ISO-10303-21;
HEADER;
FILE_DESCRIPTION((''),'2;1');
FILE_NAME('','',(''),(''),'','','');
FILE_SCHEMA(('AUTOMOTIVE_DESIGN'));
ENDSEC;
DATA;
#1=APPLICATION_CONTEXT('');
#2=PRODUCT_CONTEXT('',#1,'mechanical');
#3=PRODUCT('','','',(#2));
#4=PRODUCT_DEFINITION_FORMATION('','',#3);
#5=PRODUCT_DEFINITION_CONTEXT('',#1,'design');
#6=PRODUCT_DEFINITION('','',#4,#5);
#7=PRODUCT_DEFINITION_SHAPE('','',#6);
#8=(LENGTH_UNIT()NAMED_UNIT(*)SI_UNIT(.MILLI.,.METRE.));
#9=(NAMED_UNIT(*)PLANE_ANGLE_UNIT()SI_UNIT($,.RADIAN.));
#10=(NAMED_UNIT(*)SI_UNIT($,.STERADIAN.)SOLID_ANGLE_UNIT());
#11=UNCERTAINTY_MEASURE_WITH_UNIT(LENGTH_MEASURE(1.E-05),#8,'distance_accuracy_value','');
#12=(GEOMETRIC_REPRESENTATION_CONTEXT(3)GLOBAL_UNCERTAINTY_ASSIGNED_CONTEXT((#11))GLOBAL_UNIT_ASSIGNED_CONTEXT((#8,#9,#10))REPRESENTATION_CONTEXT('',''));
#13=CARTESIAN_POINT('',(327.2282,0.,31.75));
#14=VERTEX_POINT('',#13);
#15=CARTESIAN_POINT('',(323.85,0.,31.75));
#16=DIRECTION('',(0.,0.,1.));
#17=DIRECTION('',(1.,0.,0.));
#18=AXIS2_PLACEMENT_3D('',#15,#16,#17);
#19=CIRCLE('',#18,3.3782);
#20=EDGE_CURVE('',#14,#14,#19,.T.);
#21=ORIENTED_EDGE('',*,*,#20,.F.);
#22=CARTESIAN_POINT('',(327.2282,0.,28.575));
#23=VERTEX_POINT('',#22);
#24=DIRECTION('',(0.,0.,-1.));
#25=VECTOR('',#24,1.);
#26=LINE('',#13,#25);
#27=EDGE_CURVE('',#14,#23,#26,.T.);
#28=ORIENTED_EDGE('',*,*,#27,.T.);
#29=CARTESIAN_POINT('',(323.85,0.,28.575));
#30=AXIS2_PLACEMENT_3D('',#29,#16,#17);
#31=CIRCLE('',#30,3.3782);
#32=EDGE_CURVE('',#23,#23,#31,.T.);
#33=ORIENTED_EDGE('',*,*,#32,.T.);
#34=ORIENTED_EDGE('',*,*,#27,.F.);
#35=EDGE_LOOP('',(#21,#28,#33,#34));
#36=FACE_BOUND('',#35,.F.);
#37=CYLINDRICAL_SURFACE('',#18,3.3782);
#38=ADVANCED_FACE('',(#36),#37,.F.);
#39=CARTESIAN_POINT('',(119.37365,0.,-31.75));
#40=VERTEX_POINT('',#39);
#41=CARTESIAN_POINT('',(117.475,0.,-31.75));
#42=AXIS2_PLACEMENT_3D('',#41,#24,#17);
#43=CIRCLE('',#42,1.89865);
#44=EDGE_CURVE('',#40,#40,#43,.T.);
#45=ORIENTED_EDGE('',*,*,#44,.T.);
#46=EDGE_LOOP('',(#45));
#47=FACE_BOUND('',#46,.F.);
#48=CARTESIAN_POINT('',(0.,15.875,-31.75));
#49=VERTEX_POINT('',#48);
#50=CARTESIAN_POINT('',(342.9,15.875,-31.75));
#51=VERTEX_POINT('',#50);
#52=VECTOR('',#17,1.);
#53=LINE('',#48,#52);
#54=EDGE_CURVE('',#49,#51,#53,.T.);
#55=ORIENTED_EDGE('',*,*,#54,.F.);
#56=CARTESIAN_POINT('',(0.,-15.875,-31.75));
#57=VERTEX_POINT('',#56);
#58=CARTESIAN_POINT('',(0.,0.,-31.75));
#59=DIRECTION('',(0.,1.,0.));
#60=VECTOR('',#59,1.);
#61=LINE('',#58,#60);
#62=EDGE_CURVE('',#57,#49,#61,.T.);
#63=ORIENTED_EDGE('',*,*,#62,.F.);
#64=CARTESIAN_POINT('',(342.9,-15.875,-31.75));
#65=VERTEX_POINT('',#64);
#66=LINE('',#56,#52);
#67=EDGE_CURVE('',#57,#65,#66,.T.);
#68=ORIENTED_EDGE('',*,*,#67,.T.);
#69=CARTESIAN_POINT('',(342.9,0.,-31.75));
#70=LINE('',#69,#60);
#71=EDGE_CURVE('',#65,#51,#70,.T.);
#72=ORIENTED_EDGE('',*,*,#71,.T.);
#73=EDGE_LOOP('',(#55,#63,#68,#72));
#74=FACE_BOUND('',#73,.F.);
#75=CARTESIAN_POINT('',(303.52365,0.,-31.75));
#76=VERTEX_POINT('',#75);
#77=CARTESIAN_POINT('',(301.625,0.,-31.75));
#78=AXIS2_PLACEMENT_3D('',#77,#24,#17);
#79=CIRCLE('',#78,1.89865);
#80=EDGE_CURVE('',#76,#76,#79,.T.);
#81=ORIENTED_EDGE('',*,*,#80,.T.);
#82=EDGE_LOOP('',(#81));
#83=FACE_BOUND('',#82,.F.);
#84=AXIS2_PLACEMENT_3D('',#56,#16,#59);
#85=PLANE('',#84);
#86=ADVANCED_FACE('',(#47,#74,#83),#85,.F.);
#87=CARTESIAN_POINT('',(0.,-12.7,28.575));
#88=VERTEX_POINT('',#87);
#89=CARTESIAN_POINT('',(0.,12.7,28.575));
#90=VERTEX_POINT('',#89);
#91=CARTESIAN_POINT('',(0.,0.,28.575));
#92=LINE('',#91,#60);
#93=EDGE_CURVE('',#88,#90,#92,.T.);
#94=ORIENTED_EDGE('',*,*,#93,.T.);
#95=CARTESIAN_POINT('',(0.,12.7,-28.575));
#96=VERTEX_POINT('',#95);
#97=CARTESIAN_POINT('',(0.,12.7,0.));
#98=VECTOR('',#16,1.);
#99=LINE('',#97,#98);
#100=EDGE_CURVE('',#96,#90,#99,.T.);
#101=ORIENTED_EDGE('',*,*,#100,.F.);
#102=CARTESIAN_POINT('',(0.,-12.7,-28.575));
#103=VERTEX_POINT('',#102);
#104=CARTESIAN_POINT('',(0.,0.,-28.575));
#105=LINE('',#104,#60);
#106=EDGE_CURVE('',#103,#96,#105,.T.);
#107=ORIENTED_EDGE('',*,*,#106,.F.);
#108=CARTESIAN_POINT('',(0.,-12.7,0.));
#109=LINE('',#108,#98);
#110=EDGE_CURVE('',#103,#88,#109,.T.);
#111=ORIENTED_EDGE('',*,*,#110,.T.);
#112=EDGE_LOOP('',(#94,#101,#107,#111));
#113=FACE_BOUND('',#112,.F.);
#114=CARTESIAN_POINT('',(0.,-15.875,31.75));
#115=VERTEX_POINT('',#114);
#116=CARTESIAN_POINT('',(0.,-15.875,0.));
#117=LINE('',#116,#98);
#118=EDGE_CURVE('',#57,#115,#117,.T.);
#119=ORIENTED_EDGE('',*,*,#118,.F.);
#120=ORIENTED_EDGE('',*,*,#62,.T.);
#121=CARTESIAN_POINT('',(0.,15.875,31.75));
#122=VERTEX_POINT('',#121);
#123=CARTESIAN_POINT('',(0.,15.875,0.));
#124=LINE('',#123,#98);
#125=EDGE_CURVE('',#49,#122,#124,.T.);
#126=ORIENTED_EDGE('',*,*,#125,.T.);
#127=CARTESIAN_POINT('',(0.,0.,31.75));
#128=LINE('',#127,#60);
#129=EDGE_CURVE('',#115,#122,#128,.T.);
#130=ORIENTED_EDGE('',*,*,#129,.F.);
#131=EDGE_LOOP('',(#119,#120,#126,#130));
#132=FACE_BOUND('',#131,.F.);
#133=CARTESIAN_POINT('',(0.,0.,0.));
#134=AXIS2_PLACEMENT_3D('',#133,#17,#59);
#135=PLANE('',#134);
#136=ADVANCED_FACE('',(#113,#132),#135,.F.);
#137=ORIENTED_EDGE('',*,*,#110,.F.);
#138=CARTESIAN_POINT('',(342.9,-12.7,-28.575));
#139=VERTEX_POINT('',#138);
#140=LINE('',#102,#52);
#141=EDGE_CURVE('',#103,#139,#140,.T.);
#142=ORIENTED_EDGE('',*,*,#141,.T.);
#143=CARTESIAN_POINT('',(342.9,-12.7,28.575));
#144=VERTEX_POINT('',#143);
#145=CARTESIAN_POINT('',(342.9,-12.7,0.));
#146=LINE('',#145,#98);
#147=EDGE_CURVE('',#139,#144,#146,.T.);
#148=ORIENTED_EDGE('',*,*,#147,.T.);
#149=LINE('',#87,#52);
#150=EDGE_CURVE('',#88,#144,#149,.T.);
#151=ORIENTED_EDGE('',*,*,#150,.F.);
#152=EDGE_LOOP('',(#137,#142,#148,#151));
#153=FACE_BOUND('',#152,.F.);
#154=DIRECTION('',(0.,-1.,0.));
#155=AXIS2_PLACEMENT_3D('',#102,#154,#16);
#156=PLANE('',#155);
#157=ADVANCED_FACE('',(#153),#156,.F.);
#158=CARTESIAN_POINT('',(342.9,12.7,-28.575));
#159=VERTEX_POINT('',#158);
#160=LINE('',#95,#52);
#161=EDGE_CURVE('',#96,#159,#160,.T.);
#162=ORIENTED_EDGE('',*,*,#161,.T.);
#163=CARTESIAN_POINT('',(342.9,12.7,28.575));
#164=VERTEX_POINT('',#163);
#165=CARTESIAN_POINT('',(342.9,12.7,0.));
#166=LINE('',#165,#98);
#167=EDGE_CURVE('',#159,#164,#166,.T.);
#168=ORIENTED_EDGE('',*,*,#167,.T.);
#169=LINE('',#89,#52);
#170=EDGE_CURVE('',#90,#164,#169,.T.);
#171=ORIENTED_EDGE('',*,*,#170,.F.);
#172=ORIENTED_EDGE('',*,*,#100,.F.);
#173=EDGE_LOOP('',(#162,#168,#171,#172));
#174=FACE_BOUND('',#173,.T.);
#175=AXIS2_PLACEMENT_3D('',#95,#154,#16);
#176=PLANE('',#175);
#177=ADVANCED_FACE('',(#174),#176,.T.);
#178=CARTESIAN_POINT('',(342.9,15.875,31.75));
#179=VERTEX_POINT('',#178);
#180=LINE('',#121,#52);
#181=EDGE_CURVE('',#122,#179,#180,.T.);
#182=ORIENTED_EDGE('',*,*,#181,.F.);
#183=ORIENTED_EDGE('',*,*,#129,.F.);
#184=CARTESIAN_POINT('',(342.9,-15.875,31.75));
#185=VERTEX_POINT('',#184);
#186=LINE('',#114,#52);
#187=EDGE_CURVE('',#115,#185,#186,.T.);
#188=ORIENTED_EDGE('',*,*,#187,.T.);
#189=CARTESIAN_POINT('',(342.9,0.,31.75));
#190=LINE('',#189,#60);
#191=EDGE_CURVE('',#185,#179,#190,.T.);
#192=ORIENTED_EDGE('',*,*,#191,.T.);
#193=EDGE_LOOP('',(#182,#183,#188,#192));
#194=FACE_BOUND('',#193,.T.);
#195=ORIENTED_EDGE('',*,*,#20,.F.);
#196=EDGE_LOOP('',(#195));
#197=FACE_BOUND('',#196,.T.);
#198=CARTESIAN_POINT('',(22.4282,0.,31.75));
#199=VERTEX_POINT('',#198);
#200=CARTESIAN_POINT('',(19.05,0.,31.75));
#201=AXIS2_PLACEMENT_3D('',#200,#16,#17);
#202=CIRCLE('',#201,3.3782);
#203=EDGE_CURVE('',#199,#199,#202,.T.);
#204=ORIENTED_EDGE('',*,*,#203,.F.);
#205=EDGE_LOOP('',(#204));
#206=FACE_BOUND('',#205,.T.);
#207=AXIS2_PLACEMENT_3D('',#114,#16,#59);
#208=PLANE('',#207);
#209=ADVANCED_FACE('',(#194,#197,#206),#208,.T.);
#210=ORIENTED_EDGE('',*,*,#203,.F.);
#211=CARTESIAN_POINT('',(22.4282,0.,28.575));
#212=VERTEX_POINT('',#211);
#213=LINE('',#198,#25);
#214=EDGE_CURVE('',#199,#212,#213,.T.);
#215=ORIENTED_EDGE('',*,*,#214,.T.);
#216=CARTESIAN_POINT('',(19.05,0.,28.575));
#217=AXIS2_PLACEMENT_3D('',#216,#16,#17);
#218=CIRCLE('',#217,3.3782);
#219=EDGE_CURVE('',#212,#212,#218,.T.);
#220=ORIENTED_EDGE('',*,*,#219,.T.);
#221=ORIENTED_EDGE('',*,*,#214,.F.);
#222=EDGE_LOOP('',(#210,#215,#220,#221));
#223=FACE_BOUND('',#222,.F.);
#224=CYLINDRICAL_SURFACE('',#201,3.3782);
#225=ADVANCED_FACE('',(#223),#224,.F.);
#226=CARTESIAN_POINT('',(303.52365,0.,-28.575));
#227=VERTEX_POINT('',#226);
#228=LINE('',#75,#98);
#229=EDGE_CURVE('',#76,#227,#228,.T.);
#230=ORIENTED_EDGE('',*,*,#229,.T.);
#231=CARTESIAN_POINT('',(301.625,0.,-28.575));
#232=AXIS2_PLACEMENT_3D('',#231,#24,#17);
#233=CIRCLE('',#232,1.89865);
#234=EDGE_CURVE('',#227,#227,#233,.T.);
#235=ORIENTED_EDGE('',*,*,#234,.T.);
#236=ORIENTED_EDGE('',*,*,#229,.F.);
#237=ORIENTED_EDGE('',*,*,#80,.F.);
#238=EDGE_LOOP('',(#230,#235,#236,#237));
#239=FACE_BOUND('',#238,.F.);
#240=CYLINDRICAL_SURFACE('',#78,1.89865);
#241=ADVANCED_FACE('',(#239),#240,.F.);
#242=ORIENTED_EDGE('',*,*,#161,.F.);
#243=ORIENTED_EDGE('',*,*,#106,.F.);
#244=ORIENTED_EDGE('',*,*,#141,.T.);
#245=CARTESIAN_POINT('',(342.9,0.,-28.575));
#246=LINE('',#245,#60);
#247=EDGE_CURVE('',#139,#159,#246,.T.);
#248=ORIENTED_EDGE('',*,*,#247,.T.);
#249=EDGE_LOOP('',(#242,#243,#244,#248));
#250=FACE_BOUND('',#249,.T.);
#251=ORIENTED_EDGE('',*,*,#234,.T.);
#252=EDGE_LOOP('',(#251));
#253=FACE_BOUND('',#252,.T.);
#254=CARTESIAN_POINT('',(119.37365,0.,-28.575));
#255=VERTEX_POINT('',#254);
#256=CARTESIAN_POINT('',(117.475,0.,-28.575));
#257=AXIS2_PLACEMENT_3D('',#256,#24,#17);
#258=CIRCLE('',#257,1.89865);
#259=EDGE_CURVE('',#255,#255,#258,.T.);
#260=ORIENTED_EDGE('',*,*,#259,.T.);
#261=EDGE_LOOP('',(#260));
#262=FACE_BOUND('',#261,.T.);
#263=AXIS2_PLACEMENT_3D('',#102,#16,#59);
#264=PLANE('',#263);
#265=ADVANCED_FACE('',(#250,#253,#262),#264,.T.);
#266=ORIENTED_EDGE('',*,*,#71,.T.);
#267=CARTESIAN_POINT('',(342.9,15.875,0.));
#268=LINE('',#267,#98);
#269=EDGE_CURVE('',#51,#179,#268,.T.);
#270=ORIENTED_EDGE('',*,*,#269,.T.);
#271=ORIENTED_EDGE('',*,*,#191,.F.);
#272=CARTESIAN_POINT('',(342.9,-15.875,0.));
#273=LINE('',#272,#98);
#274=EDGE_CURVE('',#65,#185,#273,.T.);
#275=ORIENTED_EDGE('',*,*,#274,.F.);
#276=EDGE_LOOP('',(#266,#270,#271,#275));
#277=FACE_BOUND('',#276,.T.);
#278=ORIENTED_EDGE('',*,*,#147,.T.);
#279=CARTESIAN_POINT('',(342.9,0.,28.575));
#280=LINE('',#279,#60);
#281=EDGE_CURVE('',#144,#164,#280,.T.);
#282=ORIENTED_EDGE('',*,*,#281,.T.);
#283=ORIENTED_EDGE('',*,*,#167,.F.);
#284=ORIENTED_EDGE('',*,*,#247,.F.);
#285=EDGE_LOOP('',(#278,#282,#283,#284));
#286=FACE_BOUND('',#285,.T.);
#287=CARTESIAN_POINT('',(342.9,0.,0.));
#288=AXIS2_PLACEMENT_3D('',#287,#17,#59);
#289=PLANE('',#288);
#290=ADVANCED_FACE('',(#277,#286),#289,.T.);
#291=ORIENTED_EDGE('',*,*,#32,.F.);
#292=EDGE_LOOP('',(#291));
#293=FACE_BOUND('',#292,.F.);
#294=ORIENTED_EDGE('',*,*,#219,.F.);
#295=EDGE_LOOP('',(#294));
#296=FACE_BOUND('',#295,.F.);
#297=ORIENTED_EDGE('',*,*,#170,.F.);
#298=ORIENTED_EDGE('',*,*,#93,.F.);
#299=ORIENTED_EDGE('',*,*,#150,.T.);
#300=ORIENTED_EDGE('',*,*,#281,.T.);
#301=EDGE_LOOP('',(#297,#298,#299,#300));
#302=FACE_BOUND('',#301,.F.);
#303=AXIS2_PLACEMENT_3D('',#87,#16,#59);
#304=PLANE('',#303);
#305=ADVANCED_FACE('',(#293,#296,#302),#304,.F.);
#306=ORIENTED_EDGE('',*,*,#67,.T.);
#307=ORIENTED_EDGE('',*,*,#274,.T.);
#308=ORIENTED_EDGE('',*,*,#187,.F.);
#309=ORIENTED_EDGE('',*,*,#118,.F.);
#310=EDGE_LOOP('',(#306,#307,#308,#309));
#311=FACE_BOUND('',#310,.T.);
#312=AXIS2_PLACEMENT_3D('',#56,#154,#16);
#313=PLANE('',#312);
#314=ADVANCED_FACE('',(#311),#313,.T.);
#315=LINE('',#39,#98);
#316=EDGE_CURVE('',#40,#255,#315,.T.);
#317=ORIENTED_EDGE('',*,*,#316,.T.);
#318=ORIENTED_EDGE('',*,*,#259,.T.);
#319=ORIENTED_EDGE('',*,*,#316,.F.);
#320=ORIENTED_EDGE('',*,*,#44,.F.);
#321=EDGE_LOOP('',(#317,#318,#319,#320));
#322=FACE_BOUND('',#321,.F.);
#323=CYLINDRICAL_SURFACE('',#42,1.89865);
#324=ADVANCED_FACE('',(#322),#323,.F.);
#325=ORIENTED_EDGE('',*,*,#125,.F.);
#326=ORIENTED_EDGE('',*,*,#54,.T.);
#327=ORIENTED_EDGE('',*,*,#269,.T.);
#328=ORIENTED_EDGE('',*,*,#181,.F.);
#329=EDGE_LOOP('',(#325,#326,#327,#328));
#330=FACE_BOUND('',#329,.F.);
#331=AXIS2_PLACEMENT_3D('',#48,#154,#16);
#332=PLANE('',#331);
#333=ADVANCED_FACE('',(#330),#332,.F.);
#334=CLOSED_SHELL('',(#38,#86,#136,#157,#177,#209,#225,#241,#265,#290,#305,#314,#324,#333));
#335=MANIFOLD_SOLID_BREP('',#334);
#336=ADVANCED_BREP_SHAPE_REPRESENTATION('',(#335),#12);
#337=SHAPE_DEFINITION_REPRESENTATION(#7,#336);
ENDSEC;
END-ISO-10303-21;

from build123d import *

# Parameters (mm, degrees)
F0_W     = 31.75
F0_H     = 63.5
F0_W_2   = 25.4
F0_H_2   = 57.15
F1_DEPTH = 342.9
F2_R     = 1.89865
F3_DEPTH = 3.175
F4_R     = 3.3782
F5_DEPTH = 3.175


with BuildPart() as f1:
    # F0 (on Right) → F1 (new body)
    with BuildSketch(Plane.YZ):
        Rectangle(F0_W, F0_H)
        Rectangle(F0_W_2, F0_H_2, mode=Mode.SUBTRACT)
    extrude(amount=F1_DEPTH)

    # F2 (on face) → F3 (cut, through all)
    with BuildSketch(Plane(origin=(0, 0, -31.75), x_dir=(1, 0, 0), z_dir=(0, 0, -1))):
        with Locations((117.475, 0)):
            Circle(F2_R)
        with Locations((301.625, 0)):
            Circle(F2_R)
    extrude(amount=-F3_DEPTH, mode=Mode.SUBTRACT)

    # F4 (on face) → F5 (cut, through all)
    with BuildSketch(Plane.XY.offset(31.75)):
        with Locations((19.05, 0)):
            Circle(F4_R)
        with Locations((323.85, 0)):
            Circle(F4_R)
    extrude(amount=-F5_DEPTH, mode=Mode.SUBTRACT)


solid = f1.part
